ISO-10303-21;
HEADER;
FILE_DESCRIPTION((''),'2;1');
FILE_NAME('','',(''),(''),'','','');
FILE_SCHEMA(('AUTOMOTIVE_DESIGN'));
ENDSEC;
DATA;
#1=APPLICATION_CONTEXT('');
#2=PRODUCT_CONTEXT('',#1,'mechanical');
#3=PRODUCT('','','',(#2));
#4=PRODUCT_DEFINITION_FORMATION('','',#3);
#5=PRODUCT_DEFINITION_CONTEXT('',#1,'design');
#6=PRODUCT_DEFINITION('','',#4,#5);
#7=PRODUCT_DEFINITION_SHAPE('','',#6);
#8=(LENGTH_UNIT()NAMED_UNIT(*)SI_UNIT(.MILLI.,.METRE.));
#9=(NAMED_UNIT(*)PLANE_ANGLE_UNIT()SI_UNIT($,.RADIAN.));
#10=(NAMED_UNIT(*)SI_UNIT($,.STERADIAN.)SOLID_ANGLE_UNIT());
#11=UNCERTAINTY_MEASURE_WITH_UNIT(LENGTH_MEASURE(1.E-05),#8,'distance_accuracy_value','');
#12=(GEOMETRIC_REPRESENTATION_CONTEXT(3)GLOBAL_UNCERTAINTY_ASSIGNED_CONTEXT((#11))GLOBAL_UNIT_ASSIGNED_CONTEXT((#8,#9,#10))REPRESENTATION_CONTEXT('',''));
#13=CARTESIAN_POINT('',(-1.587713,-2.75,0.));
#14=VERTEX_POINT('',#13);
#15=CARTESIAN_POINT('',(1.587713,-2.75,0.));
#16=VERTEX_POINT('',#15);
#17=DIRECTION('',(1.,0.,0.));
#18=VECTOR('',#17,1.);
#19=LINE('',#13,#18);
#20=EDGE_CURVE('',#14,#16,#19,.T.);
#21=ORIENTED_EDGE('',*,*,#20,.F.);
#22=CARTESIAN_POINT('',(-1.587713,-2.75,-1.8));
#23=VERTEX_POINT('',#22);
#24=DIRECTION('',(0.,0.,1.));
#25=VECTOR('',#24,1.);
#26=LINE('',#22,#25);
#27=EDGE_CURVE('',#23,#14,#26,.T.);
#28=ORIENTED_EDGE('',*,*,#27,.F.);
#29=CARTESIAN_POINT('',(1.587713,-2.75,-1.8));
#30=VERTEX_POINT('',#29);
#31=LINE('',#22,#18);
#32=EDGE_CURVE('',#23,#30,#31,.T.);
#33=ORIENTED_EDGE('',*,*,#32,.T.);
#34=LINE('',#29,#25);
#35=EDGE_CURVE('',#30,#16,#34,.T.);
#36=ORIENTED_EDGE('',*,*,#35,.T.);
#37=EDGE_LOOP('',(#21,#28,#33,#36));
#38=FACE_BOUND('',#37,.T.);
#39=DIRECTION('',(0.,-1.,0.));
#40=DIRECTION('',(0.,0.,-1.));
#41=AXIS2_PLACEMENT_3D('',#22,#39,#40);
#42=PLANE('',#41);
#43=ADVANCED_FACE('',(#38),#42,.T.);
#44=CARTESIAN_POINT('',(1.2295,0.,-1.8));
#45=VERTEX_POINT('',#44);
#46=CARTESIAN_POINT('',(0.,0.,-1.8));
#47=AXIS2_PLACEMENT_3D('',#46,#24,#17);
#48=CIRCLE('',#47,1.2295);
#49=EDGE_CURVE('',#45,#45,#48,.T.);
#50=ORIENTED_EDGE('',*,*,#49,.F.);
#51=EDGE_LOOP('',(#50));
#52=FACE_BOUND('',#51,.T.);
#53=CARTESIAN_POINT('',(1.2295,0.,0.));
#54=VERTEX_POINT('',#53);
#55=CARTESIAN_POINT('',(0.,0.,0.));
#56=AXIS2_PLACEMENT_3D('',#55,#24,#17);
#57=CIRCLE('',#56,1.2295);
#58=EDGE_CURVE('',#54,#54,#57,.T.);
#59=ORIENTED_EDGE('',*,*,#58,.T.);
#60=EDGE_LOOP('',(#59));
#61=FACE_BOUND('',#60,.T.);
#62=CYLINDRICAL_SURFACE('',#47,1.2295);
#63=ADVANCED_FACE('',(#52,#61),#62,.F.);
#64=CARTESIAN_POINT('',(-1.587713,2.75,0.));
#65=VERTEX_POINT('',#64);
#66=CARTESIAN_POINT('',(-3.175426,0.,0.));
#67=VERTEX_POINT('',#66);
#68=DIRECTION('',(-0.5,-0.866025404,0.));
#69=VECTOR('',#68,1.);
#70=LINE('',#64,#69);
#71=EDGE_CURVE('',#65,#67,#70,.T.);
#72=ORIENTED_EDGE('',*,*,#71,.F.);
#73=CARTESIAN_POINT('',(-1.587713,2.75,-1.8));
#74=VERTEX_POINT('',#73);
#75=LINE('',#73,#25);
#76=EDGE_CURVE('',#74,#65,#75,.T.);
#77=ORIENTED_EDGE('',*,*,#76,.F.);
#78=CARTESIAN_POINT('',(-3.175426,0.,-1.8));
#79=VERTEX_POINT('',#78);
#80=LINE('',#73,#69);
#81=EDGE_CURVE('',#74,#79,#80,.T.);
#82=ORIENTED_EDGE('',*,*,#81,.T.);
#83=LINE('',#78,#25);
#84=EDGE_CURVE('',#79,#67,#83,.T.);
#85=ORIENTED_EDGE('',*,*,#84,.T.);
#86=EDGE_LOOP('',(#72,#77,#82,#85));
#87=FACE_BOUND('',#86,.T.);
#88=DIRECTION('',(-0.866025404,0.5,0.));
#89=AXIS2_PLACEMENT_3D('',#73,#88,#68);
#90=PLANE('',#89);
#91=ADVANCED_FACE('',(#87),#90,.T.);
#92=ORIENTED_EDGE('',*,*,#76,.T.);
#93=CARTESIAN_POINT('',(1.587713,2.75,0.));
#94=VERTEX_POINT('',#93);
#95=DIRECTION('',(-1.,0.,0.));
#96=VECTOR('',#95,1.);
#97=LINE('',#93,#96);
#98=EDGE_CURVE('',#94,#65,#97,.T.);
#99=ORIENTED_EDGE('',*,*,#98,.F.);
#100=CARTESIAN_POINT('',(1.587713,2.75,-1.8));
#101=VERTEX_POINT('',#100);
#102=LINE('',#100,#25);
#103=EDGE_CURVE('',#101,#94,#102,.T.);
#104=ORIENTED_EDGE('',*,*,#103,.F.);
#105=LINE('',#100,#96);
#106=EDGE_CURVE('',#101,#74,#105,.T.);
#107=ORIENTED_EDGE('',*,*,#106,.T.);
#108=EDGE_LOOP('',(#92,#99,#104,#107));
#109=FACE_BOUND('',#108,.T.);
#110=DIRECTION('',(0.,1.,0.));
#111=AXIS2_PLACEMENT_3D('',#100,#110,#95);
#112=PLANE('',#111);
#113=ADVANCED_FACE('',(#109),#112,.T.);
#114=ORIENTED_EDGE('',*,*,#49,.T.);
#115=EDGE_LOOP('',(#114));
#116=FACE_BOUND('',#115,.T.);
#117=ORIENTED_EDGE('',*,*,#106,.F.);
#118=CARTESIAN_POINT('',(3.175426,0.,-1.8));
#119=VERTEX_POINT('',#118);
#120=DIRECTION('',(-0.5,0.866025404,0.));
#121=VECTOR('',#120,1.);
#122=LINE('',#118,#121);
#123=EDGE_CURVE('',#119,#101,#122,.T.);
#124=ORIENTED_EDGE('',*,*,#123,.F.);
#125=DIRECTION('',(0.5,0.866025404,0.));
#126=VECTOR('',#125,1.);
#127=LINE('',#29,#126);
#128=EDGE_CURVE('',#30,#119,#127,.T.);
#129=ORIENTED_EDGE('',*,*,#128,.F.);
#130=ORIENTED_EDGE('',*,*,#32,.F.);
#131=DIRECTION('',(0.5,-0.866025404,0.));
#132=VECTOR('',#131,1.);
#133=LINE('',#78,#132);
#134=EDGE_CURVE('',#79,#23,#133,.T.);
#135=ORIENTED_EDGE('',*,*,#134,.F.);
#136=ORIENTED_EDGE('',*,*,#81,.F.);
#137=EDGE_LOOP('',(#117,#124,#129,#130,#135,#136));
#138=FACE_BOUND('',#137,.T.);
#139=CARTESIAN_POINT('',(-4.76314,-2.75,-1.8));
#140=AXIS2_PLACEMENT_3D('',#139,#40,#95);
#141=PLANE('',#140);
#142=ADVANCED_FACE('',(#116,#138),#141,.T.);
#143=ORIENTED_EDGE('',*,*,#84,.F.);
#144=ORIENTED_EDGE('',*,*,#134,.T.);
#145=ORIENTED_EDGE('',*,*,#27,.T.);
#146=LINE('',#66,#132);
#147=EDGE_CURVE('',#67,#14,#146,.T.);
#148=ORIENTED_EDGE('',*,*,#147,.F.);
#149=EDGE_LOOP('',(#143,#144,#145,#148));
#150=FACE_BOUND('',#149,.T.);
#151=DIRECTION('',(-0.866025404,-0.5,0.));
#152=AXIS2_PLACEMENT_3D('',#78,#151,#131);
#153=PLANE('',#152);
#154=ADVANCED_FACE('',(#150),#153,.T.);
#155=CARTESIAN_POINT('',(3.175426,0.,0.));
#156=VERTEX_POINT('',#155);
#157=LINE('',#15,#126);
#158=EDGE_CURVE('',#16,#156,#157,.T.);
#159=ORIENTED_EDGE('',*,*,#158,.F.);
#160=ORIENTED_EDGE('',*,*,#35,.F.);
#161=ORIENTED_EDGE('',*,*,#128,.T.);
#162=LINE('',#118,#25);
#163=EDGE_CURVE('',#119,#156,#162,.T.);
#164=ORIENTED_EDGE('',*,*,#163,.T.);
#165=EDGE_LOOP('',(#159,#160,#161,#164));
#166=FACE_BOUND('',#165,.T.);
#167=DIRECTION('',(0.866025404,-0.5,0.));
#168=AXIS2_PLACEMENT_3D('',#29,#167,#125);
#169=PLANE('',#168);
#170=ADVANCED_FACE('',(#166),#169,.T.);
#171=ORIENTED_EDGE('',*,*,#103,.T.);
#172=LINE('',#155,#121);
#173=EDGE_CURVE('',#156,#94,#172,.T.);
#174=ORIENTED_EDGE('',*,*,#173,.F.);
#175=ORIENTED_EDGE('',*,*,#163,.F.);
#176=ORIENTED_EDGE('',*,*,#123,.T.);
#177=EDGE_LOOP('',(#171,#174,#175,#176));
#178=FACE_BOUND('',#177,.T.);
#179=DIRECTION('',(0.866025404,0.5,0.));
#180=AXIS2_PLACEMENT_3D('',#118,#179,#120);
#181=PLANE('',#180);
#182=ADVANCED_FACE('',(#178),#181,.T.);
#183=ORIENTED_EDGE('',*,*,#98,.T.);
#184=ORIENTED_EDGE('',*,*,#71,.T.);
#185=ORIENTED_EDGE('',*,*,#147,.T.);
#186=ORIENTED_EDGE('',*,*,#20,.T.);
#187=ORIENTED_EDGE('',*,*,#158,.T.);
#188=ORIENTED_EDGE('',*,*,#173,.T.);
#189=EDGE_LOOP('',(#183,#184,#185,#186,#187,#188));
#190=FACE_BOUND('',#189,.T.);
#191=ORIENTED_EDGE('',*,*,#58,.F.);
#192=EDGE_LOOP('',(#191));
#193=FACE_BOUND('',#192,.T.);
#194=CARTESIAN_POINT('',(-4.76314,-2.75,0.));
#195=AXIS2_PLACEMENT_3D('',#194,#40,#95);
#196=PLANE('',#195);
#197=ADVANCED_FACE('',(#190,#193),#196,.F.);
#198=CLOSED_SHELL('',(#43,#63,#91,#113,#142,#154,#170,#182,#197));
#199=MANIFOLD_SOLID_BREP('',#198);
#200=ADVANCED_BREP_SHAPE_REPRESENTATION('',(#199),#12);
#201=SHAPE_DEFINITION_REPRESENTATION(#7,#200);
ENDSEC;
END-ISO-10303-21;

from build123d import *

# Parameters (mm, degrees)
SKETCH1_R     = 1.2295
BASENUT_DEPTH = 1.8


with BuildPart() as part:
    # Sketch1 → BaseNut (new body)
    with BuildSketch(Plane.XY):
        Polygon((1.58771324, -2.75), (3.175426481, 0), (1.58771324, 2.75), (-1.58771324, 2.75), (-3.175426481, 0), (-1.58771324, -2.75), align=None)
        Circle(SKETCH1_R, mode=Mode.SUBTRACT)
    extrude(amount=-BASENUT_DEPTH)


solid = part.part
